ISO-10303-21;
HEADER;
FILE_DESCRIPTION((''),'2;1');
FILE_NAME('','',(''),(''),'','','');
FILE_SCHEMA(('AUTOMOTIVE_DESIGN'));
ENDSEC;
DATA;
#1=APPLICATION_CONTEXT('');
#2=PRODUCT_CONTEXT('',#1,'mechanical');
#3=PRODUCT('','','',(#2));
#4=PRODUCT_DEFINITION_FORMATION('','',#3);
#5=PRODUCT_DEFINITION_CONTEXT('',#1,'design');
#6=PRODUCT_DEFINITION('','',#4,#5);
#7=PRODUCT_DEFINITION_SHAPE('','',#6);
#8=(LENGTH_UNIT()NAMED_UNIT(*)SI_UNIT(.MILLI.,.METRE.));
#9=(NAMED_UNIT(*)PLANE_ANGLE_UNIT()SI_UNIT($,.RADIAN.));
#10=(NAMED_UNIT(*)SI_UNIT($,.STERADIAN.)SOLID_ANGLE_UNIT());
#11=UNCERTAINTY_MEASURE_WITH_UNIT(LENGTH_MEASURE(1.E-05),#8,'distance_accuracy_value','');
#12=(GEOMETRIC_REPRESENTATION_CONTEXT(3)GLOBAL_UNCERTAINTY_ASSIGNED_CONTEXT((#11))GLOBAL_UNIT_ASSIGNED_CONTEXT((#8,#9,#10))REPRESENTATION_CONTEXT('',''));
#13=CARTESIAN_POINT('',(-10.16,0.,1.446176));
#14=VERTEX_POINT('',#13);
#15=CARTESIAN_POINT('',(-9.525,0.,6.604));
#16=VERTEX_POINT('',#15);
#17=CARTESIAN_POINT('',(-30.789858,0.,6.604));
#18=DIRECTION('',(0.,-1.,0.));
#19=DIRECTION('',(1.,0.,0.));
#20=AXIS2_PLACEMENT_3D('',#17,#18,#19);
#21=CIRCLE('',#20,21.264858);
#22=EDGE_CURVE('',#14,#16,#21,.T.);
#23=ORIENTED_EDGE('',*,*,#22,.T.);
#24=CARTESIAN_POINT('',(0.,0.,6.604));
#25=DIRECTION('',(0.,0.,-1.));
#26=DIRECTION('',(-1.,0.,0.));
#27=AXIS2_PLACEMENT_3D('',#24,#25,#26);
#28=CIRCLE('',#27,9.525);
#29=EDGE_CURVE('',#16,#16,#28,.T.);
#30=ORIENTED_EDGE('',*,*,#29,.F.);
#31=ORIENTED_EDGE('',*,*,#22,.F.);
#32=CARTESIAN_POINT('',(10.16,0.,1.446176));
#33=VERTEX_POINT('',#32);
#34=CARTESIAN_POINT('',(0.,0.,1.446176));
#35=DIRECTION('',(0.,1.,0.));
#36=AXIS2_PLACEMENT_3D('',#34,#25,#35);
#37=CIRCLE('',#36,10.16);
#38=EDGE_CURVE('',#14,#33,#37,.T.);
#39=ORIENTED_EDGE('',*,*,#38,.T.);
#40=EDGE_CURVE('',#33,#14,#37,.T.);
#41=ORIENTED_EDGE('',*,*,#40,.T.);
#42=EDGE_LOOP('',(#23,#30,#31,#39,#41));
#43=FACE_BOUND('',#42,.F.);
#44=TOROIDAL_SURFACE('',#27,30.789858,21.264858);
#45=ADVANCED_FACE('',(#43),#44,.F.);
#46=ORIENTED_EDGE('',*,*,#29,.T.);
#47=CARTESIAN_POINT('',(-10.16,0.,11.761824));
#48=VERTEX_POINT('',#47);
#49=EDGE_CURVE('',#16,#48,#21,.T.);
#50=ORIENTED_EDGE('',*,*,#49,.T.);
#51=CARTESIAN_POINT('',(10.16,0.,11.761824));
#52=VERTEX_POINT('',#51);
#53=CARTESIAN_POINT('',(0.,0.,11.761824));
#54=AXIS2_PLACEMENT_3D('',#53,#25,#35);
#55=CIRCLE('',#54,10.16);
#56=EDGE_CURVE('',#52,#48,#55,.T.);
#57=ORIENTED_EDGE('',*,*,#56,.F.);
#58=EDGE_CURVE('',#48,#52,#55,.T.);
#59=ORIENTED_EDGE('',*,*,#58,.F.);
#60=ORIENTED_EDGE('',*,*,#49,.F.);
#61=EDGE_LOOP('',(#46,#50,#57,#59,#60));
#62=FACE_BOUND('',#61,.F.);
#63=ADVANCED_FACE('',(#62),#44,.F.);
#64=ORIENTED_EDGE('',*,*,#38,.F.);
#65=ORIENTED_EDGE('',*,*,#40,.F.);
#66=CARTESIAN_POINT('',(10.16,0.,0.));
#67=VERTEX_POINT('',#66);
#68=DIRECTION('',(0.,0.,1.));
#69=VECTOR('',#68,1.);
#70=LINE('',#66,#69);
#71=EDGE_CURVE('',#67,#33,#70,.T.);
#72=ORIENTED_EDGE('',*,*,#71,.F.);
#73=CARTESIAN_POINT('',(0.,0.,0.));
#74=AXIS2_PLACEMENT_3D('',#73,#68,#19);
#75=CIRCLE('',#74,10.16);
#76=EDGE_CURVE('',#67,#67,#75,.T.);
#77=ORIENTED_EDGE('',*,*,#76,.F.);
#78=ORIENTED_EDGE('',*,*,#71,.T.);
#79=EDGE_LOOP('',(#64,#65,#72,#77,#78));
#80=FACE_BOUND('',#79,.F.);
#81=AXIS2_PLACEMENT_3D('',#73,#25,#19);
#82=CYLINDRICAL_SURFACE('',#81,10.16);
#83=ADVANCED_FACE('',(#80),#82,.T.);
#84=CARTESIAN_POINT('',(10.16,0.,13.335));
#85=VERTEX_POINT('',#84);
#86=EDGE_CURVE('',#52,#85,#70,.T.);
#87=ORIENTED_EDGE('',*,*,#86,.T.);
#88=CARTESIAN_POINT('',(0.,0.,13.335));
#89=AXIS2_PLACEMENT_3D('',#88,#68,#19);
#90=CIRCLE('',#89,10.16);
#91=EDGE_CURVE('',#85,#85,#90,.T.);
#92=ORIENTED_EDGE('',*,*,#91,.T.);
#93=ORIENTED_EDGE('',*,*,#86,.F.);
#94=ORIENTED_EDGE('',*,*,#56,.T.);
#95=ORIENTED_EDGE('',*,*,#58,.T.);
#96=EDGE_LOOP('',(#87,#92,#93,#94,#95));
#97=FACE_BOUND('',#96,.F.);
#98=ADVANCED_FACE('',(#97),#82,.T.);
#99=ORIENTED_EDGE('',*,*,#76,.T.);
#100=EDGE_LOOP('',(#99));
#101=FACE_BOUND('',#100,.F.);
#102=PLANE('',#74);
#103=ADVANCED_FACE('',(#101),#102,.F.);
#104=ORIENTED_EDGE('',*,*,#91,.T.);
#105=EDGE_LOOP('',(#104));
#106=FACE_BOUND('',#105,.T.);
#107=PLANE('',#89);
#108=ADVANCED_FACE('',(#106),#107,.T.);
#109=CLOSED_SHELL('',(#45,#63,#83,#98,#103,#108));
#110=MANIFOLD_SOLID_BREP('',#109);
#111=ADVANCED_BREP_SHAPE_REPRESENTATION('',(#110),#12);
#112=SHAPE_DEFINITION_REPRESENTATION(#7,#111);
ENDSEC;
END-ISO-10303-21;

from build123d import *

# Parameters (mm, degrees)
F0_R     = 10.16
F1_DEPTH = 13.335
F3_R     = 21.264857766


with BuildPart() as f1:
    # F0 (on Top) → F1 (new body)
    with BuildSketch(Plane.XY):
        Circle(F0_R)
    extrude(amount=F1_DEPTH)

    # F3 (on Front) → F5 (revolve, cut)
    with BuildSketch(Plane.XZ):
        with Locations((-30.789857766, 6.604)):
            Circle(F3_R)
    revolve(axis=Axis((0, 0, 7.1092285216), (0, 0, -1)), mode=Mode.SUBTRACT)


solid = f1.part
